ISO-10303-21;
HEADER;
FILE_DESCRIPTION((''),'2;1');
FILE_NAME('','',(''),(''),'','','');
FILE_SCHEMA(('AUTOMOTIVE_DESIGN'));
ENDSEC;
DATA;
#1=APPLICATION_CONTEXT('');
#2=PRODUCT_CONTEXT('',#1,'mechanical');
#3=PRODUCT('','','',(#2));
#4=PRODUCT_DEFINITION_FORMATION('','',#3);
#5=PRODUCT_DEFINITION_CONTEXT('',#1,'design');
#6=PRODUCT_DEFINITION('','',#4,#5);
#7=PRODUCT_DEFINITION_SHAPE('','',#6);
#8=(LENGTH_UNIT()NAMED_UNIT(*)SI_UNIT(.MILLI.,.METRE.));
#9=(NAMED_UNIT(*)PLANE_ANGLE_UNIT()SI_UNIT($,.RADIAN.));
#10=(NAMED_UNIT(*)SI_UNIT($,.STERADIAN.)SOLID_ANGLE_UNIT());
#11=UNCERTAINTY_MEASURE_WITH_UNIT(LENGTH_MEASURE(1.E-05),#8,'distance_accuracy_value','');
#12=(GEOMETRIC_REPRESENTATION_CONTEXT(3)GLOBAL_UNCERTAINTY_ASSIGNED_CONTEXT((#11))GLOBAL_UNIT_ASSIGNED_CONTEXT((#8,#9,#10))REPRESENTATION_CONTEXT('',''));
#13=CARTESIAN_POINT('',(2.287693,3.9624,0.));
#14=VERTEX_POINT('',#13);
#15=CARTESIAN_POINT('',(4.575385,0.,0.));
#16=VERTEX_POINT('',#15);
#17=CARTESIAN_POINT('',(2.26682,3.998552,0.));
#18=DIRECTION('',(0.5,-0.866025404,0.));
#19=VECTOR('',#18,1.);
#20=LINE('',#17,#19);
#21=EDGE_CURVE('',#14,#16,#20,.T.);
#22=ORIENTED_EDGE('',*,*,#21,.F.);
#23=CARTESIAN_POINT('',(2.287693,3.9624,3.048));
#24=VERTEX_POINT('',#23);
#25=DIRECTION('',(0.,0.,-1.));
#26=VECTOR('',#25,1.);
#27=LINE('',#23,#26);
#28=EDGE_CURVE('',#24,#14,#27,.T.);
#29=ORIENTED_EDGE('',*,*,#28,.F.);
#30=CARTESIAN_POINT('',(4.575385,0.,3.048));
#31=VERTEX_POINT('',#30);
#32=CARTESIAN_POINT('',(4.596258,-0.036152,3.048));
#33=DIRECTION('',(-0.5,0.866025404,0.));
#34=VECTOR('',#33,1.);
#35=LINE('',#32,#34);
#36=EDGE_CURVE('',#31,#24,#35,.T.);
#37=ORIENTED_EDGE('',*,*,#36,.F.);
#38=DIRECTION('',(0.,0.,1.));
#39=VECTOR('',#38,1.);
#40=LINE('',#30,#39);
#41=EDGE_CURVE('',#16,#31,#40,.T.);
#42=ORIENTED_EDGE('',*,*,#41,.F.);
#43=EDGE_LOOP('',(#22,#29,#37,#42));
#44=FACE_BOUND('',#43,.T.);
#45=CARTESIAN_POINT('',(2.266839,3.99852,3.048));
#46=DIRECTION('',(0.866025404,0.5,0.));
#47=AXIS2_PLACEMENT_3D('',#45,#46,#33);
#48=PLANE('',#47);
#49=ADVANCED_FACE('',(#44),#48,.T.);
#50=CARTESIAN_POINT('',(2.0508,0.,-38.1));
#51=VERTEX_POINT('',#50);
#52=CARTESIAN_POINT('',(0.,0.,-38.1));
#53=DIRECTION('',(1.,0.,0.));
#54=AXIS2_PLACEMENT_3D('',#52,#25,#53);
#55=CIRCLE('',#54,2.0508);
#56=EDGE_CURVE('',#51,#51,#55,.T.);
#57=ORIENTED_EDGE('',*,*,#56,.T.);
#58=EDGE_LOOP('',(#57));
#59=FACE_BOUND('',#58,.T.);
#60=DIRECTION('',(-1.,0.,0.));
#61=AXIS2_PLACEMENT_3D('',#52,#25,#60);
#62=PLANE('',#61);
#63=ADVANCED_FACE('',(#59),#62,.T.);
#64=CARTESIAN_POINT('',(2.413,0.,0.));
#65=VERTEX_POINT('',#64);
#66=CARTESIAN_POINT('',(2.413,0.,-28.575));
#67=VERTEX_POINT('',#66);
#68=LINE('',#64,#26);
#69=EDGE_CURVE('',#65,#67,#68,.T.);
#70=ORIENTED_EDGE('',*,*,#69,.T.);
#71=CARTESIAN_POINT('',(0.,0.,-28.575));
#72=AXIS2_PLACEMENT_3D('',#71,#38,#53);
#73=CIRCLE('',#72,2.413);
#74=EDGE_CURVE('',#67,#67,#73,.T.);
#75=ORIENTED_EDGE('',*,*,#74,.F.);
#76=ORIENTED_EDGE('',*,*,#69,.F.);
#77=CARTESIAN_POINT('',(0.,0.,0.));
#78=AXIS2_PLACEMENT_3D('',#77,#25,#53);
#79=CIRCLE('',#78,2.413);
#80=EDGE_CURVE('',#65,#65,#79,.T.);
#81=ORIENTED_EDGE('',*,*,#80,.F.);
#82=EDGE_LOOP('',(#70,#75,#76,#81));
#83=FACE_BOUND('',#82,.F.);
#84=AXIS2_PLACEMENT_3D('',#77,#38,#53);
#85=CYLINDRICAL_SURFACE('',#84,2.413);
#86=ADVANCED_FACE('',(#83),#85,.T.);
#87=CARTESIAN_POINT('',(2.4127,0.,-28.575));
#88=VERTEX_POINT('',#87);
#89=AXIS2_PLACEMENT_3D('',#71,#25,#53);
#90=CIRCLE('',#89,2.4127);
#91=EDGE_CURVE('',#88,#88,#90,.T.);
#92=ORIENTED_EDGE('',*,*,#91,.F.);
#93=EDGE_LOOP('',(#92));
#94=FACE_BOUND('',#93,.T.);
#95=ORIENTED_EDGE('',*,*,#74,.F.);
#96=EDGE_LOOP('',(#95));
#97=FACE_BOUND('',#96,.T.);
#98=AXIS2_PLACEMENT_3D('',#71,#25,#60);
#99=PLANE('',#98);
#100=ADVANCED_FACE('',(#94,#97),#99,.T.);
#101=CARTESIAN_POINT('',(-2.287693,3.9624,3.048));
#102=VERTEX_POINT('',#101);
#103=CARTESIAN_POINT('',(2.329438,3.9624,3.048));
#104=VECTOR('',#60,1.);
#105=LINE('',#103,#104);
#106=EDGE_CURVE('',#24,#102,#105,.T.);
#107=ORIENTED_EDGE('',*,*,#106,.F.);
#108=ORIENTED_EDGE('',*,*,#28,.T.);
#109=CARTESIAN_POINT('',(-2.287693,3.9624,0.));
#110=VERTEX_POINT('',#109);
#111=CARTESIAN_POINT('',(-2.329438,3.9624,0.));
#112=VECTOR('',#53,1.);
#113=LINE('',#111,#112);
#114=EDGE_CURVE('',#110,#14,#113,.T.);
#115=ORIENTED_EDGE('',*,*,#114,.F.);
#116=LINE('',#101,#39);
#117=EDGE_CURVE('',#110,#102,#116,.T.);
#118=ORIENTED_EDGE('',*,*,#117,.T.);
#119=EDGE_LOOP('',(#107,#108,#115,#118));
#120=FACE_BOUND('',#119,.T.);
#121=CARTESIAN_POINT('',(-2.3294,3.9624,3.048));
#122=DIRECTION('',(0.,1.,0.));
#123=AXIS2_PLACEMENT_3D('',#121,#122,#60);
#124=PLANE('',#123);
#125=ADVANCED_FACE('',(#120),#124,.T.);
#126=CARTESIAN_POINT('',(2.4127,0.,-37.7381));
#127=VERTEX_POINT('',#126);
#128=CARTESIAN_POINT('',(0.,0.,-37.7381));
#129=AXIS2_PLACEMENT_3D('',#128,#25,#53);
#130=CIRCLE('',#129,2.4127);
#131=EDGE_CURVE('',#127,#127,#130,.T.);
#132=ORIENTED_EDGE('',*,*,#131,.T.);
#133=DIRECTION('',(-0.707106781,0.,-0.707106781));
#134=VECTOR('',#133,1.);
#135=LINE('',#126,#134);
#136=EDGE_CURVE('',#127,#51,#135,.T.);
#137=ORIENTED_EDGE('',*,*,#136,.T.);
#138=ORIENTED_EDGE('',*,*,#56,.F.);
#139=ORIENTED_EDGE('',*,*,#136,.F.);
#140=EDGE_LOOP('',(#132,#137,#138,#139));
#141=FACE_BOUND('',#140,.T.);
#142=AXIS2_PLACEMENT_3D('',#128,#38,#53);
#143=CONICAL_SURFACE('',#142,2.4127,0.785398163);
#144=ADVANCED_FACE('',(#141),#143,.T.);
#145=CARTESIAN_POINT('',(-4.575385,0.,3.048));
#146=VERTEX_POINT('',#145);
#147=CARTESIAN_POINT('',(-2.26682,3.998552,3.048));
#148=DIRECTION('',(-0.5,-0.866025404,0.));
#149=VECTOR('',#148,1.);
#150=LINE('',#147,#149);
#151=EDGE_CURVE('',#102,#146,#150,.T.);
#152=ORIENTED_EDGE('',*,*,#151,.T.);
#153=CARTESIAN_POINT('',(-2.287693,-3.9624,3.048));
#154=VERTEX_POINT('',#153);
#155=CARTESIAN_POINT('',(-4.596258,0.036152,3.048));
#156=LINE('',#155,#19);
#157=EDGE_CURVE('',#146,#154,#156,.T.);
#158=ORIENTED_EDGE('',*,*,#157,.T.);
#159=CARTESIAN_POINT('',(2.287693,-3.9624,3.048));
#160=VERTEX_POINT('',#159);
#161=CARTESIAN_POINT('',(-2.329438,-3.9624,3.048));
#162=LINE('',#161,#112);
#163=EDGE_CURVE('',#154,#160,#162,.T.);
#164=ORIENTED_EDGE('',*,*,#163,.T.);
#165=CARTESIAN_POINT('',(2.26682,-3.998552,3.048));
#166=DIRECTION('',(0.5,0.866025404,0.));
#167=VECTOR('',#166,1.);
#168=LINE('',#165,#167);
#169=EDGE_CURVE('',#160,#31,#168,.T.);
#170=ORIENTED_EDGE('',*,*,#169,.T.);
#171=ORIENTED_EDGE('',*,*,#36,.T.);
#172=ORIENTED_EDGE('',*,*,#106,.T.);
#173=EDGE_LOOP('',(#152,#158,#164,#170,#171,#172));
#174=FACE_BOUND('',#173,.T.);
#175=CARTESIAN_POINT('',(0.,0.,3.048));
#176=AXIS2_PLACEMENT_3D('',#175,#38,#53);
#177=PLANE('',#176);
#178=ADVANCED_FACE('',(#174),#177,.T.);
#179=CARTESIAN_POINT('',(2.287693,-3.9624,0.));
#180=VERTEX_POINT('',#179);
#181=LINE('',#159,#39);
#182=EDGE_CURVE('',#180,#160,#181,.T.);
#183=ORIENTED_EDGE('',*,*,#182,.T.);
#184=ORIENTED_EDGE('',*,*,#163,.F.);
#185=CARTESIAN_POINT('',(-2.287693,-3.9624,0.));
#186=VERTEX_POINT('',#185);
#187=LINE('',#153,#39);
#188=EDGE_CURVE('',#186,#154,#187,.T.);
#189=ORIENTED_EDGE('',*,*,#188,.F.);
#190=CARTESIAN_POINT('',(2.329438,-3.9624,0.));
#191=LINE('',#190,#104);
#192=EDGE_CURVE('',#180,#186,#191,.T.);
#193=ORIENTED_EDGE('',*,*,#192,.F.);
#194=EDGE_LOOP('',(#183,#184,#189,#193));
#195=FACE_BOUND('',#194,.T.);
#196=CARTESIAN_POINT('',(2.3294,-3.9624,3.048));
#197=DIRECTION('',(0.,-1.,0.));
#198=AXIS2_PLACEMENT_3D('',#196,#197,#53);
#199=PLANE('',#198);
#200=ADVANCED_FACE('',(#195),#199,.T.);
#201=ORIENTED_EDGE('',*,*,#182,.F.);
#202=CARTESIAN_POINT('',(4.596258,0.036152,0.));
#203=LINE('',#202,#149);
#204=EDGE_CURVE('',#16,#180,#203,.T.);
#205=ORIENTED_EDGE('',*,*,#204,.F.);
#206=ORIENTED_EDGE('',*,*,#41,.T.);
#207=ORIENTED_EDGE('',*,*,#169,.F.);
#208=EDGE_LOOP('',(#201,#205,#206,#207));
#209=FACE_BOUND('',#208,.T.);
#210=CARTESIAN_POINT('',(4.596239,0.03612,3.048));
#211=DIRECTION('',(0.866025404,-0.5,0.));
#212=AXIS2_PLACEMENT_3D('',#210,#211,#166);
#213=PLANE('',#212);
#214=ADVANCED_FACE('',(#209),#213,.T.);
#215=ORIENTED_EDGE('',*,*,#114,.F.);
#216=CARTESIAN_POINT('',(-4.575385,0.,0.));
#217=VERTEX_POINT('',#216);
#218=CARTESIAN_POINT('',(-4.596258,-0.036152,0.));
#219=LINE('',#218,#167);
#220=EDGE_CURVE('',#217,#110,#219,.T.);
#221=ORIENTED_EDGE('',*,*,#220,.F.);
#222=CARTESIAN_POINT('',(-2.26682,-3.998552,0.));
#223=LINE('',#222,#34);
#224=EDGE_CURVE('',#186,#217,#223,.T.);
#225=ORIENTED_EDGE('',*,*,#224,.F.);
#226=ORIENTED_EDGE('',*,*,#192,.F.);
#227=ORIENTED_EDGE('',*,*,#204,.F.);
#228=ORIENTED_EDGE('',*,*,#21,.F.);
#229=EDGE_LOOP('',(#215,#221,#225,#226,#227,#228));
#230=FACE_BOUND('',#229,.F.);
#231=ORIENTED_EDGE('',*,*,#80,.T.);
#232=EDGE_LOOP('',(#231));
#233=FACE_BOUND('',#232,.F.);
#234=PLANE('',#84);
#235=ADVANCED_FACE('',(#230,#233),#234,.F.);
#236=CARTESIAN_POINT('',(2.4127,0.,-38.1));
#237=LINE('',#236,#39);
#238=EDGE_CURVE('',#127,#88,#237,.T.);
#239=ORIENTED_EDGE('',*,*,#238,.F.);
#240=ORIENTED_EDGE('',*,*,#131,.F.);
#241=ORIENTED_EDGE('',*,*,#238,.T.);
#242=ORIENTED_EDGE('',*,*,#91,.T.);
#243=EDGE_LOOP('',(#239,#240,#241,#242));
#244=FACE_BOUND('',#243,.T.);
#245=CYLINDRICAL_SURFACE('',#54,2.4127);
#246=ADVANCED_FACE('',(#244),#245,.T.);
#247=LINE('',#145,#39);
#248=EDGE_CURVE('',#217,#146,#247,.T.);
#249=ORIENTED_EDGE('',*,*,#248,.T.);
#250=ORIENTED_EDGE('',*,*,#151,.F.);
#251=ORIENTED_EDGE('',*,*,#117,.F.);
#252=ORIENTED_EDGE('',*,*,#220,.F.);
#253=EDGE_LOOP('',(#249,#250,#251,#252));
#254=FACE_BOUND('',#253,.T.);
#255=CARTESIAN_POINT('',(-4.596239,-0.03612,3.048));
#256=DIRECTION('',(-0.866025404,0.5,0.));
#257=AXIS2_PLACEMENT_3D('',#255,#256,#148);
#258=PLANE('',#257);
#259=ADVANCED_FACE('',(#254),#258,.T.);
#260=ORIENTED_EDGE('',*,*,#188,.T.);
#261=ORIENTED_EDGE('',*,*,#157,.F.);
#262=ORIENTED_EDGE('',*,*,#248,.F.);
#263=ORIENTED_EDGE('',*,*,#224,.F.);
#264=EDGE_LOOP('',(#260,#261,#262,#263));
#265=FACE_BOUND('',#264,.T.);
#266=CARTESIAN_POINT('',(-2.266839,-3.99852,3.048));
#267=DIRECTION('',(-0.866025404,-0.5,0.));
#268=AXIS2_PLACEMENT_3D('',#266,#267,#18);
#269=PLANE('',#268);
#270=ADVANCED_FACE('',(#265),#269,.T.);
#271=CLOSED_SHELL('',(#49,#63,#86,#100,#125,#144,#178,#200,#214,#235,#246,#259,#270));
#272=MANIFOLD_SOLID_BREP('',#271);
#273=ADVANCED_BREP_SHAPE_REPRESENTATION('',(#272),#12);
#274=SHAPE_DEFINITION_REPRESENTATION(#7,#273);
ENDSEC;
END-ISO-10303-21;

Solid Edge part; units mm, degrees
sketch "Sketch1" plane through (0, 0, 0) normal (0, 0, 1) x (1, 0, 0)
  circle A0 centre (0, 0) radius 4.5964
  dimension "D1" = 9.1928
extrude "Protrusion1" add sketch "Sketch1" along normal blind 3.048
sketch "Sketch2" plane through (0, 0, 0) normal (0, 0, -1) x (1, 0, 0)
  circle A0 centre (0, 0) radius 2.413
extrude "Protrusion2" add sketch "Sketch2" along normal blind 38.1
sketch "Sketch3" plane through (0, 0, -38.1) normal (0, 0, -1) x (1, 0, 0)
  circle A0 centre (0, 0) radius 2.4127
extrude "Cutout1" cut sketch "Sketch3" against normal blind 9.525 flip side to cut
chamfer "Chamfer_1" distance 0.3619 angle 45 1 edges at (-2.4127, 0, -38.1)
sketch "Sketch4" plane through (0, 0, 3.048) normal (0, 0, 1) x (1, 0, 0)
  line L0 (-2.3294, 3.9624) -> (2.3294, 3.9624)
  dimension "D1" = 7.9248
extrude "Cutout2" cut sketch "Sketch4" against normal up to next material side at (0, 4.0124, 3.048)
pattern_circular "Pattern1" count 6 over 360 about axis through (0, 0, 3.048) along (0, 0, 1) of "Cutout2"
properties part number "185522"
